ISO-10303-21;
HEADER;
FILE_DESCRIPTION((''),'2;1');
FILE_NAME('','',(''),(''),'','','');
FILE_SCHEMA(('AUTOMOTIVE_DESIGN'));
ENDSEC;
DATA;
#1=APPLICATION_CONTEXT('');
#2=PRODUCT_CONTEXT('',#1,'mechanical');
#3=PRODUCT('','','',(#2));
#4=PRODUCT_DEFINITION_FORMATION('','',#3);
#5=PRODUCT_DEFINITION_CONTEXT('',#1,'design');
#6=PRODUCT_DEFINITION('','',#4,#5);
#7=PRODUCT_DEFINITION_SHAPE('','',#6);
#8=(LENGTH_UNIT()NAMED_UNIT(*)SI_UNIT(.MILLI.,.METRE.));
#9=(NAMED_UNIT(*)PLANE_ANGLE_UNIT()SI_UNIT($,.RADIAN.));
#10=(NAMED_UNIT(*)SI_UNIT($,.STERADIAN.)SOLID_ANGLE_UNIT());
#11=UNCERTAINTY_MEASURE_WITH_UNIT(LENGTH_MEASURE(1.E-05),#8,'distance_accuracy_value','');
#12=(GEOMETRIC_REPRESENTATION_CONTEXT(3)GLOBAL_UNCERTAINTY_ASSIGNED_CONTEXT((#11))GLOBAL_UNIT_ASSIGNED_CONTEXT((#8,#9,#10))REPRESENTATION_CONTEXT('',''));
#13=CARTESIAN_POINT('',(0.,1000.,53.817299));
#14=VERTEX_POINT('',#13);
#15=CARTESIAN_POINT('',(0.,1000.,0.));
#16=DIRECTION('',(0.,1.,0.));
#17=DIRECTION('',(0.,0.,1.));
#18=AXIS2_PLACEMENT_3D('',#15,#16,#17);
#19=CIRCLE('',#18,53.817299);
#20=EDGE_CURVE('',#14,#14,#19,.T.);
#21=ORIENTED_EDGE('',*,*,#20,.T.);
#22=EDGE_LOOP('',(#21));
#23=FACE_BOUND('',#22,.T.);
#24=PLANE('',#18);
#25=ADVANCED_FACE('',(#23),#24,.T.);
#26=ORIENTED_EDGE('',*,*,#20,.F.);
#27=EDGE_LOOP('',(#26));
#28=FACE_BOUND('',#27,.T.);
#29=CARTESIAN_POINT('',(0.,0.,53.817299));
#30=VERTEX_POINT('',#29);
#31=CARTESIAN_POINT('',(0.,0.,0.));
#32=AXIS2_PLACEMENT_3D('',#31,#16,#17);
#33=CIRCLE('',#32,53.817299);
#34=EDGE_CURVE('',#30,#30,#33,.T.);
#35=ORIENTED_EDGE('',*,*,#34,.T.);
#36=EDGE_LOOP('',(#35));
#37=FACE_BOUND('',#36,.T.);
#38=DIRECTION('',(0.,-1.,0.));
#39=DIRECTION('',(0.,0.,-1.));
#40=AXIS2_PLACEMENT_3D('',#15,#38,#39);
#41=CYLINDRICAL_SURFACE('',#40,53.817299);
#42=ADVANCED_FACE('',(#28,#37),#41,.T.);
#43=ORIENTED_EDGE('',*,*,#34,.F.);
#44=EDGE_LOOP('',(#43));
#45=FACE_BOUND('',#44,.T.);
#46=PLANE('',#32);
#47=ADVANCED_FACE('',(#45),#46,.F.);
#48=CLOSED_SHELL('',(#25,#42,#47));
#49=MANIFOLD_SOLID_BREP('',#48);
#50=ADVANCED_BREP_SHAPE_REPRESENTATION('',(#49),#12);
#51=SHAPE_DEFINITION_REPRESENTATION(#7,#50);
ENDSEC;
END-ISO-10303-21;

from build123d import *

# Parameters (mm, degrees)
CROQUIS1_R              = 53.81729852
SALIENTE_EXTRUIR1_DEPTH = 1000


with BuildPart() as part:
    # Croquis1 → Saliente-Extruir1 (new body)
    with BuildSketch(Plane(origin=(0, 0, 0), x_dir=(1, 0, 0), z_dir=(0, 1, 0))):
        with Locations(Location((0, 0, 0), (0, 0, 270))):
            Circle(CROQUIS1_R)
    extrude(amount=SALIENTE_EXTRUIR1_DEPTH)


solid = part.part
